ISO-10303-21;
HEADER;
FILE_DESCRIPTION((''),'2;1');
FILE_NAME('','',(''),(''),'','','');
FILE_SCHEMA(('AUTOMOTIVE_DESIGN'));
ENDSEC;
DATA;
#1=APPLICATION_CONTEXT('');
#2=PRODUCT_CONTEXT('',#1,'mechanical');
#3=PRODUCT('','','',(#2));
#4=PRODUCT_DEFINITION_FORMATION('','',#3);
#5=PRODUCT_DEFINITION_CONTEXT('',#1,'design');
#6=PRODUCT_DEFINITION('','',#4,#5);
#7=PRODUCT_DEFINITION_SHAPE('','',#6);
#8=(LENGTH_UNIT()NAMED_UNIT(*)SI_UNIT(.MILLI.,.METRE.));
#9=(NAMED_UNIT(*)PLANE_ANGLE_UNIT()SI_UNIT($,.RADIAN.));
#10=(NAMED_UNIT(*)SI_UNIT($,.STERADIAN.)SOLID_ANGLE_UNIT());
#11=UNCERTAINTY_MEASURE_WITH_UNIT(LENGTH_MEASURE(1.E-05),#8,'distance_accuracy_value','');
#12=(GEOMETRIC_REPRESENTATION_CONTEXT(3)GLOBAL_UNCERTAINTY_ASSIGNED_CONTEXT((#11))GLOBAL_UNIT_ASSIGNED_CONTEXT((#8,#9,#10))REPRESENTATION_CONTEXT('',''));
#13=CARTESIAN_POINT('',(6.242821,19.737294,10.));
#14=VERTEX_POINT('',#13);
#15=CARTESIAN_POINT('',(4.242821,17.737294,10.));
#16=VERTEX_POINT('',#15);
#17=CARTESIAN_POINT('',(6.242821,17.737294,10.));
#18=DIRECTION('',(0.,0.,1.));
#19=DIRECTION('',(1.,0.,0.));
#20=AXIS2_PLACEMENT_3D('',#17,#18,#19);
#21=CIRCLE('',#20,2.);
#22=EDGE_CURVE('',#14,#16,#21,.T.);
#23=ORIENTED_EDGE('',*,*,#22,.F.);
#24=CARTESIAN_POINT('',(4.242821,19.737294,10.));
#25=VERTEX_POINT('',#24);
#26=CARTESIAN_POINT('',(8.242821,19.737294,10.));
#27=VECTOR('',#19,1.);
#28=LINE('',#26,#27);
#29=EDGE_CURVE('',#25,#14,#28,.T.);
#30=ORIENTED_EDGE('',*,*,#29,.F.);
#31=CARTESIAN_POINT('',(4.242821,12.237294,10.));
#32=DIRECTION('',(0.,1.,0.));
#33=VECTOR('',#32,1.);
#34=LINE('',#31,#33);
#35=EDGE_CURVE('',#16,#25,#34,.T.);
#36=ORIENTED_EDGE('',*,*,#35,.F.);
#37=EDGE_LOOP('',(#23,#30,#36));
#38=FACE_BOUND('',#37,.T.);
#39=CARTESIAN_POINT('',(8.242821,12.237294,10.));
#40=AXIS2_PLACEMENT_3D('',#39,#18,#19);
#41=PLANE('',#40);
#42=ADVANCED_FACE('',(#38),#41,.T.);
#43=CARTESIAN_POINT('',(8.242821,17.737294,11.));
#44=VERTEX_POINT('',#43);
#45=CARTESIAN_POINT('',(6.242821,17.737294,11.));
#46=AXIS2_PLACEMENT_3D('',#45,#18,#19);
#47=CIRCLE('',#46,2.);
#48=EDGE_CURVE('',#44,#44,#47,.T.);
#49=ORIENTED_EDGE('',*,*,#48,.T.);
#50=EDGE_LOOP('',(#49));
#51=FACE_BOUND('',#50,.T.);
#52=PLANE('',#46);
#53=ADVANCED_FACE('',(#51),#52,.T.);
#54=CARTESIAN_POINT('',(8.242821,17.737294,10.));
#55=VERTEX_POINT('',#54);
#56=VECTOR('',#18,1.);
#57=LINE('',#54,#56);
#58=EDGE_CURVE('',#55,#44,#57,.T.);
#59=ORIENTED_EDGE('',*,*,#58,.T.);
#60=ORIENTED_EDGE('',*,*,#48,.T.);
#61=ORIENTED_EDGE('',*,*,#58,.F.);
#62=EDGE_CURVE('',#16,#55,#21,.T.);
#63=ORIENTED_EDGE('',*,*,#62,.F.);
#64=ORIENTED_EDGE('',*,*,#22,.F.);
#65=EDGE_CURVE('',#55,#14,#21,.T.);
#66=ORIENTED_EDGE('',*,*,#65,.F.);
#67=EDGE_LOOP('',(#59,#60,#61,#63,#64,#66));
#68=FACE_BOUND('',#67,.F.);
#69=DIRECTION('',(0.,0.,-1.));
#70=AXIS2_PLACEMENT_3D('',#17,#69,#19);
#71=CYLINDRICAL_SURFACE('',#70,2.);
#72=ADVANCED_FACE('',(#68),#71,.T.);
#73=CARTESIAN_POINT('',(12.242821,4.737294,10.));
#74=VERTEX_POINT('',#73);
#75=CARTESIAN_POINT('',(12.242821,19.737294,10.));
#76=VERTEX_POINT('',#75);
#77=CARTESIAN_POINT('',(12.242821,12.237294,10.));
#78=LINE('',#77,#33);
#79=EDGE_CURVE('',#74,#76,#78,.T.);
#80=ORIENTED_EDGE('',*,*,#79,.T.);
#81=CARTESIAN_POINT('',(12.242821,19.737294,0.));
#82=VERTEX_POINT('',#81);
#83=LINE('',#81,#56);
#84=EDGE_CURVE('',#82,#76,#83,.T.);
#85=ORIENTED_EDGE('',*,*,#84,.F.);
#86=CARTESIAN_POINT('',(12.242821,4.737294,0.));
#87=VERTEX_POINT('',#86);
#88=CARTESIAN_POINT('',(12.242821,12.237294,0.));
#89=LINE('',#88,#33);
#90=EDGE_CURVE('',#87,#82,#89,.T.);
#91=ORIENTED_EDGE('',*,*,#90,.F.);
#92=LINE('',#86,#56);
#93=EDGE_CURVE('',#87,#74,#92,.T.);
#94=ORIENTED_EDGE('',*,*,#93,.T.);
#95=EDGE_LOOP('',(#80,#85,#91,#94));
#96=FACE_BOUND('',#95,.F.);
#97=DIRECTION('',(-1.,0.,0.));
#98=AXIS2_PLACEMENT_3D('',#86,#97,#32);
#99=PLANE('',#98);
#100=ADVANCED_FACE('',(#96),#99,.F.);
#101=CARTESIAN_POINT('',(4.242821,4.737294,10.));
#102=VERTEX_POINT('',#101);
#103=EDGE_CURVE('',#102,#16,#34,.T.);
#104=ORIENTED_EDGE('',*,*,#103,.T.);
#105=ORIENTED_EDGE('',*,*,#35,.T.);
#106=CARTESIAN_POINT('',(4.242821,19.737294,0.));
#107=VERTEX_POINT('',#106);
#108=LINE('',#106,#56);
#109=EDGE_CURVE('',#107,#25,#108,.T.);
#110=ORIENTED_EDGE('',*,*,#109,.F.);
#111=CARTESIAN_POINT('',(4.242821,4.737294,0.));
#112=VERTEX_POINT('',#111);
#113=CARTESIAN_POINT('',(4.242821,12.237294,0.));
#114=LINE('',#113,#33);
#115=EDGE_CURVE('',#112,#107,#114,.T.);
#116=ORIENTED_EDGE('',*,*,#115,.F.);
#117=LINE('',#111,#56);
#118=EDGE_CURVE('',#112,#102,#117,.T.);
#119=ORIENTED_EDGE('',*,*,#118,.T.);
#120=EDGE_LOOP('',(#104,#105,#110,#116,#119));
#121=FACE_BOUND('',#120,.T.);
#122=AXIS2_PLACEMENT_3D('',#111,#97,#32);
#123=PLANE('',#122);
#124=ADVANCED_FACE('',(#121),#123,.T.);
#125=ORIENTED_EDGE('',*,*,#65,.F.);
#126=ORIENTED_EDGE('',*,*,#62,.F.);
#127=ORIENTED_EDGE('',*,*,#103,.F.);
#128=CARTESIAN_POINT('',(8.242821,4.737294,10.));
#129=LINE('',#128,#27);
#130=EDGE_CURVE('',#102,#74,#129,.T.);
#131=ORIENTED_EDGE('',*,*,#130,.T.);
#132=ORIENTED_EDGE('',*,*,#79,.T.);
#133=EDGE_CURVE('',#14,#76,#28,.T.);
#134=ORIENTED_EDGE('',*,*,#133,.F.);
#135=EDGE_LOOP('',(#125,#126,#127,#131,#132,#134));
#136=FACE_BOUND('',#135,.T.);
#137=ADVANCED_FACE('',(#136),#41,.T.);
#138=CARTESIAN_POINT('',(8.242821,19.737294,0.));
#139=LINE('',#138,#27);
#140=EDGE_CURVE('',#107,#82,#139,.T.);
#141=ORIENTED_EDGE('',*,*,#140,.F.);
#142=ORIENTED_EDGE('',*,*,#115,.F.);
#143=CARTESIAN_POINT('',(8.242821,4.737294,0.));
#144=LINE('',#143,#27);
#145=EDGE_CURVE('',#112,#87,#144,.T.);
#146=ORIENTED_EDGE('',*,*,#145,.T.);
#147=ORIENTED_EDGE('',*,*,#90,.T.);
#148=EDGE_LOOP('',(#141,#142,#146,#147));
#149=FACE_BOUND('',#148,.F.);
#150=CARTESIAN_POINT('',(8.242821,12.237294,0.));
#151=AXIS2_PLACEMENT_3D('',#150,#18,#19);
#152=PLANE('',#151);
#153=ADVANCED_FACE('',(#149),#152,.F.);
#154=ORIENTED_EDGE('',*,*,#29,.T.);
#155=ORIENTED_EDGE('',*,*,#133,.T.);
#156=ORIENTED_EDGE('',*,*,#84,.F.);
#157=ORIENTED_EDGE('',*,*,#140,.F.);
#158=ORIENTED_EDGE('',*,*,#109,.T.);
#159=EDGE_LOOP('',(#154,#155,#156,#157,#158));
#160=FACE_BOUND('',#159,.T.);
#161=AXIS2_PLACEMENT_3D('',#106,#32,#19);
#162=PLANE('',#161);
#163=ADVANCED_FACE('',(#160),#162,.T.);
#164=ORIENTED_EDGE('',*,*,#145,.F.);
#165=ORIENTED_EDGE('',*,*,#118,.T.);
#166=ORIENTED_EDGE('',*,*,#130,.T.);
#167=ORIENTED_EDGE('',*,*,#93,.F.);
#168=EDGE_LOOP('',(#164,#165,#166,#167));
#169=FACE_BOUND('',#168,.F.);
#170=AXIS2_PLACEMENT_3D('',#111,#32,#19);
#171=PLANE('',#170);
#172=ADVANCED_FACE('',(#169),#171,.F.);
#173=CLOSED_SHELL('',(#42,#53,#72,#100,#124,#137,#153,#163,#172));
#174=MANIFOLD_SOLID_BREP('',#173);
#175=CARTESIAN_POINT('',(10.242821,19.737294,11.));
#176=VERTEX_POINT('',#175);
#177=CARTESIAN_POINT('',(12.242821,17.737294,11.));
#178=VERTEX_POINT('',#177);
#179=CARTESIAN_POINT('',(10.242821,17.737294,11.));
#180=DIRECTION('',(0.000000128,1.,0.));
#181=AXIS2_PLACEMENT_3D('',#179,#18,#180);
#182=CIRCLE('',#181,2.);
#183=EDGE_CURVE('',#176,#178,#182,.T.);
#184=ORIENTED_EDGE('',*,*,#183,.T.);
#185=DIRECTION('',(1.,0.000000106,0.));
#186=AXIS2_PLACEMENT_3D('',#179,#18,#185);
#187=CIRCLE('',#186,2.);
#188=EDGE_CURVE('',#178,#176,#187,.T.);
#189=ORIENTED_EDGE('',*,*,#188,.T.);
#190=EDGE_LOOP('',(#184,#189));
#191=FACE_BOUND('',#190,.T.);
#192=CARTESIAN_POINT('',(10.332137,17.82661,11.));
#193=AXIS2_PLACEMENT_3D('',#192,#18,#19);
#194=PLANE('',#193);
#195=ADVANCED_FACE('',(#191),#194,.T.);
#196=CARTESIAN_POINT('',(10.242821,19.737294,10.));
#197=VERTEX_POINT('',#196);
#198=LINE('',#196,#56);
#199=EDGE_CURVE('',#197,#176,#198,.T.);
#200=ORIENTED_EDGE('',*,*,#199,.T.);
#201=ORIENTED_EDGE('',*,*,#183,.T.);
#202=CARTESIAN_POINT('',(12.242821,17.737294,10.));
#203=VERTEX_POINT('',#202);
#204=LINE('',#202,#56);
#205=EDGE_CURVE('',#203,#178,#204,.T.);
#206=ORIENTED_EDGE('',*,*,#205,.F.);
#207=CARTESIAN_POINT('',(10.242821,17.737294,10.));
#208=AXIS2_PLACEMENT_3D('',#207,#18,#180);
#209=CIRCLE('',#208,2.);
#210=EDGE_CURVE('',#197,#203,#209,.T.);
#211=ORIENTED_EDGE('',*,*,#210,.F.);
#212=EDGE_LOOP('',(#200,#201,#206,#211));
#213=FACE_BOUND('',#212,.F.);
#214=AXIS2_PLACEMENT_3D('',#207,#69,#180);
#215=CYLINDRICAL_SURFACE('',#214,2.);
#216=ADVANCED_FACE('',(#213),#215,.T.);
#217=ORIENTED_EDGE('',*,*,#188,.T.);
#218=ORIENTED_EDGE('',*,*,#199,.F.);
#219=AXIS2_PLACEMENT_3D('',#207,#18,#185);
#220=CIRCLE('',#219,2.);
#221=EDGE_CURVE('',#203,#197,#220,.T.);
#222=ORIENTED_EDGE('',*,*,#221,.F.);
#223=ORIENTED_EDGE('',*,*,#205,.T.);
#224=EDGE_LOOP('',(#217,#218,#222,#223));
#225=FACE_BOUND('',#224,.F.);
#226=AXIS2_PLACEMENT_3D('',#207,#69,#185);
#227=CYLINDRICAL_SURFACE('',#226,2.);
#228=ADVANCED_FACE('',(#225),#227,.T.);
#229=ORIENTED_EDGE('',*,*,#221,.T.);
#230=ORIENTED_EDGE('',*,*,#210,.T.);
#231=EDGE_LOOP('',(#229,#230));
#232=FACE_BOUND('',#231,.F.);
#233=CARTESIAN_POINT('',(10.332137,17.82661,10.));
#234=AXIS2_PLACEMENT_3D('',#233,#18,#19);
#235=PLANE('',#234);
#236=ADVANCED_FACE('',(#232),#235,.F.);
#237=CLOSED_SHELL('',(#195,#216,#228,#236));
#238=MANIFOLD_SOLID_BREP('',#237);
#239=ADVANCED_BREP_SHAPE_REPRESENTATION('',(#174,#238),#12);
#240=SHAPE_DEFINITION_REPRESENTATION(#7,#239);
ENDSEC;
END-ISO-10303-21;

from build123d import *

# Parameters (mm, degrees)
F0_W     = 8
F0_H     = 15
F1_DEPTH = 10
F2_R     = 2
F4_DEPTH = 1
F5_DEPTH = 1


with BuildPart() as f1:
    # F0 (on Top) → F1 (new body)
    with BuildSketch(Plane.XY):
        with Locations((8.242821, 12.237294)):
            Rectangle(F0_W, F0_H)
    extrude(amount=F1_DEPTH)

    # F2 (on face) → F4 (join)
    with BuildSketch(Plane.XY.offset(10)):
        with Locations((6.242821, 17.737294)):
            Circle(F2_R)
    extrude(amount=F4_DEPTH)


with BuildPart() as f5:
    # F3 (on face) → F5 (new body)
    with BuildSketch(Plane.XY.offset(10)):
        with BuildLine():
            ThreePointArc((10.242821, 19.737294), (8.828607, 16.32308), (12.242821, 17.737294))
            ThreePointArc((12.242821, 17.737294), (11.657034, 19.151508), (10.242821, 19.737294))
        make_face()
    extrude(amount=F5_DEPTH)


solid = Compound([f1.part, f5.part])
